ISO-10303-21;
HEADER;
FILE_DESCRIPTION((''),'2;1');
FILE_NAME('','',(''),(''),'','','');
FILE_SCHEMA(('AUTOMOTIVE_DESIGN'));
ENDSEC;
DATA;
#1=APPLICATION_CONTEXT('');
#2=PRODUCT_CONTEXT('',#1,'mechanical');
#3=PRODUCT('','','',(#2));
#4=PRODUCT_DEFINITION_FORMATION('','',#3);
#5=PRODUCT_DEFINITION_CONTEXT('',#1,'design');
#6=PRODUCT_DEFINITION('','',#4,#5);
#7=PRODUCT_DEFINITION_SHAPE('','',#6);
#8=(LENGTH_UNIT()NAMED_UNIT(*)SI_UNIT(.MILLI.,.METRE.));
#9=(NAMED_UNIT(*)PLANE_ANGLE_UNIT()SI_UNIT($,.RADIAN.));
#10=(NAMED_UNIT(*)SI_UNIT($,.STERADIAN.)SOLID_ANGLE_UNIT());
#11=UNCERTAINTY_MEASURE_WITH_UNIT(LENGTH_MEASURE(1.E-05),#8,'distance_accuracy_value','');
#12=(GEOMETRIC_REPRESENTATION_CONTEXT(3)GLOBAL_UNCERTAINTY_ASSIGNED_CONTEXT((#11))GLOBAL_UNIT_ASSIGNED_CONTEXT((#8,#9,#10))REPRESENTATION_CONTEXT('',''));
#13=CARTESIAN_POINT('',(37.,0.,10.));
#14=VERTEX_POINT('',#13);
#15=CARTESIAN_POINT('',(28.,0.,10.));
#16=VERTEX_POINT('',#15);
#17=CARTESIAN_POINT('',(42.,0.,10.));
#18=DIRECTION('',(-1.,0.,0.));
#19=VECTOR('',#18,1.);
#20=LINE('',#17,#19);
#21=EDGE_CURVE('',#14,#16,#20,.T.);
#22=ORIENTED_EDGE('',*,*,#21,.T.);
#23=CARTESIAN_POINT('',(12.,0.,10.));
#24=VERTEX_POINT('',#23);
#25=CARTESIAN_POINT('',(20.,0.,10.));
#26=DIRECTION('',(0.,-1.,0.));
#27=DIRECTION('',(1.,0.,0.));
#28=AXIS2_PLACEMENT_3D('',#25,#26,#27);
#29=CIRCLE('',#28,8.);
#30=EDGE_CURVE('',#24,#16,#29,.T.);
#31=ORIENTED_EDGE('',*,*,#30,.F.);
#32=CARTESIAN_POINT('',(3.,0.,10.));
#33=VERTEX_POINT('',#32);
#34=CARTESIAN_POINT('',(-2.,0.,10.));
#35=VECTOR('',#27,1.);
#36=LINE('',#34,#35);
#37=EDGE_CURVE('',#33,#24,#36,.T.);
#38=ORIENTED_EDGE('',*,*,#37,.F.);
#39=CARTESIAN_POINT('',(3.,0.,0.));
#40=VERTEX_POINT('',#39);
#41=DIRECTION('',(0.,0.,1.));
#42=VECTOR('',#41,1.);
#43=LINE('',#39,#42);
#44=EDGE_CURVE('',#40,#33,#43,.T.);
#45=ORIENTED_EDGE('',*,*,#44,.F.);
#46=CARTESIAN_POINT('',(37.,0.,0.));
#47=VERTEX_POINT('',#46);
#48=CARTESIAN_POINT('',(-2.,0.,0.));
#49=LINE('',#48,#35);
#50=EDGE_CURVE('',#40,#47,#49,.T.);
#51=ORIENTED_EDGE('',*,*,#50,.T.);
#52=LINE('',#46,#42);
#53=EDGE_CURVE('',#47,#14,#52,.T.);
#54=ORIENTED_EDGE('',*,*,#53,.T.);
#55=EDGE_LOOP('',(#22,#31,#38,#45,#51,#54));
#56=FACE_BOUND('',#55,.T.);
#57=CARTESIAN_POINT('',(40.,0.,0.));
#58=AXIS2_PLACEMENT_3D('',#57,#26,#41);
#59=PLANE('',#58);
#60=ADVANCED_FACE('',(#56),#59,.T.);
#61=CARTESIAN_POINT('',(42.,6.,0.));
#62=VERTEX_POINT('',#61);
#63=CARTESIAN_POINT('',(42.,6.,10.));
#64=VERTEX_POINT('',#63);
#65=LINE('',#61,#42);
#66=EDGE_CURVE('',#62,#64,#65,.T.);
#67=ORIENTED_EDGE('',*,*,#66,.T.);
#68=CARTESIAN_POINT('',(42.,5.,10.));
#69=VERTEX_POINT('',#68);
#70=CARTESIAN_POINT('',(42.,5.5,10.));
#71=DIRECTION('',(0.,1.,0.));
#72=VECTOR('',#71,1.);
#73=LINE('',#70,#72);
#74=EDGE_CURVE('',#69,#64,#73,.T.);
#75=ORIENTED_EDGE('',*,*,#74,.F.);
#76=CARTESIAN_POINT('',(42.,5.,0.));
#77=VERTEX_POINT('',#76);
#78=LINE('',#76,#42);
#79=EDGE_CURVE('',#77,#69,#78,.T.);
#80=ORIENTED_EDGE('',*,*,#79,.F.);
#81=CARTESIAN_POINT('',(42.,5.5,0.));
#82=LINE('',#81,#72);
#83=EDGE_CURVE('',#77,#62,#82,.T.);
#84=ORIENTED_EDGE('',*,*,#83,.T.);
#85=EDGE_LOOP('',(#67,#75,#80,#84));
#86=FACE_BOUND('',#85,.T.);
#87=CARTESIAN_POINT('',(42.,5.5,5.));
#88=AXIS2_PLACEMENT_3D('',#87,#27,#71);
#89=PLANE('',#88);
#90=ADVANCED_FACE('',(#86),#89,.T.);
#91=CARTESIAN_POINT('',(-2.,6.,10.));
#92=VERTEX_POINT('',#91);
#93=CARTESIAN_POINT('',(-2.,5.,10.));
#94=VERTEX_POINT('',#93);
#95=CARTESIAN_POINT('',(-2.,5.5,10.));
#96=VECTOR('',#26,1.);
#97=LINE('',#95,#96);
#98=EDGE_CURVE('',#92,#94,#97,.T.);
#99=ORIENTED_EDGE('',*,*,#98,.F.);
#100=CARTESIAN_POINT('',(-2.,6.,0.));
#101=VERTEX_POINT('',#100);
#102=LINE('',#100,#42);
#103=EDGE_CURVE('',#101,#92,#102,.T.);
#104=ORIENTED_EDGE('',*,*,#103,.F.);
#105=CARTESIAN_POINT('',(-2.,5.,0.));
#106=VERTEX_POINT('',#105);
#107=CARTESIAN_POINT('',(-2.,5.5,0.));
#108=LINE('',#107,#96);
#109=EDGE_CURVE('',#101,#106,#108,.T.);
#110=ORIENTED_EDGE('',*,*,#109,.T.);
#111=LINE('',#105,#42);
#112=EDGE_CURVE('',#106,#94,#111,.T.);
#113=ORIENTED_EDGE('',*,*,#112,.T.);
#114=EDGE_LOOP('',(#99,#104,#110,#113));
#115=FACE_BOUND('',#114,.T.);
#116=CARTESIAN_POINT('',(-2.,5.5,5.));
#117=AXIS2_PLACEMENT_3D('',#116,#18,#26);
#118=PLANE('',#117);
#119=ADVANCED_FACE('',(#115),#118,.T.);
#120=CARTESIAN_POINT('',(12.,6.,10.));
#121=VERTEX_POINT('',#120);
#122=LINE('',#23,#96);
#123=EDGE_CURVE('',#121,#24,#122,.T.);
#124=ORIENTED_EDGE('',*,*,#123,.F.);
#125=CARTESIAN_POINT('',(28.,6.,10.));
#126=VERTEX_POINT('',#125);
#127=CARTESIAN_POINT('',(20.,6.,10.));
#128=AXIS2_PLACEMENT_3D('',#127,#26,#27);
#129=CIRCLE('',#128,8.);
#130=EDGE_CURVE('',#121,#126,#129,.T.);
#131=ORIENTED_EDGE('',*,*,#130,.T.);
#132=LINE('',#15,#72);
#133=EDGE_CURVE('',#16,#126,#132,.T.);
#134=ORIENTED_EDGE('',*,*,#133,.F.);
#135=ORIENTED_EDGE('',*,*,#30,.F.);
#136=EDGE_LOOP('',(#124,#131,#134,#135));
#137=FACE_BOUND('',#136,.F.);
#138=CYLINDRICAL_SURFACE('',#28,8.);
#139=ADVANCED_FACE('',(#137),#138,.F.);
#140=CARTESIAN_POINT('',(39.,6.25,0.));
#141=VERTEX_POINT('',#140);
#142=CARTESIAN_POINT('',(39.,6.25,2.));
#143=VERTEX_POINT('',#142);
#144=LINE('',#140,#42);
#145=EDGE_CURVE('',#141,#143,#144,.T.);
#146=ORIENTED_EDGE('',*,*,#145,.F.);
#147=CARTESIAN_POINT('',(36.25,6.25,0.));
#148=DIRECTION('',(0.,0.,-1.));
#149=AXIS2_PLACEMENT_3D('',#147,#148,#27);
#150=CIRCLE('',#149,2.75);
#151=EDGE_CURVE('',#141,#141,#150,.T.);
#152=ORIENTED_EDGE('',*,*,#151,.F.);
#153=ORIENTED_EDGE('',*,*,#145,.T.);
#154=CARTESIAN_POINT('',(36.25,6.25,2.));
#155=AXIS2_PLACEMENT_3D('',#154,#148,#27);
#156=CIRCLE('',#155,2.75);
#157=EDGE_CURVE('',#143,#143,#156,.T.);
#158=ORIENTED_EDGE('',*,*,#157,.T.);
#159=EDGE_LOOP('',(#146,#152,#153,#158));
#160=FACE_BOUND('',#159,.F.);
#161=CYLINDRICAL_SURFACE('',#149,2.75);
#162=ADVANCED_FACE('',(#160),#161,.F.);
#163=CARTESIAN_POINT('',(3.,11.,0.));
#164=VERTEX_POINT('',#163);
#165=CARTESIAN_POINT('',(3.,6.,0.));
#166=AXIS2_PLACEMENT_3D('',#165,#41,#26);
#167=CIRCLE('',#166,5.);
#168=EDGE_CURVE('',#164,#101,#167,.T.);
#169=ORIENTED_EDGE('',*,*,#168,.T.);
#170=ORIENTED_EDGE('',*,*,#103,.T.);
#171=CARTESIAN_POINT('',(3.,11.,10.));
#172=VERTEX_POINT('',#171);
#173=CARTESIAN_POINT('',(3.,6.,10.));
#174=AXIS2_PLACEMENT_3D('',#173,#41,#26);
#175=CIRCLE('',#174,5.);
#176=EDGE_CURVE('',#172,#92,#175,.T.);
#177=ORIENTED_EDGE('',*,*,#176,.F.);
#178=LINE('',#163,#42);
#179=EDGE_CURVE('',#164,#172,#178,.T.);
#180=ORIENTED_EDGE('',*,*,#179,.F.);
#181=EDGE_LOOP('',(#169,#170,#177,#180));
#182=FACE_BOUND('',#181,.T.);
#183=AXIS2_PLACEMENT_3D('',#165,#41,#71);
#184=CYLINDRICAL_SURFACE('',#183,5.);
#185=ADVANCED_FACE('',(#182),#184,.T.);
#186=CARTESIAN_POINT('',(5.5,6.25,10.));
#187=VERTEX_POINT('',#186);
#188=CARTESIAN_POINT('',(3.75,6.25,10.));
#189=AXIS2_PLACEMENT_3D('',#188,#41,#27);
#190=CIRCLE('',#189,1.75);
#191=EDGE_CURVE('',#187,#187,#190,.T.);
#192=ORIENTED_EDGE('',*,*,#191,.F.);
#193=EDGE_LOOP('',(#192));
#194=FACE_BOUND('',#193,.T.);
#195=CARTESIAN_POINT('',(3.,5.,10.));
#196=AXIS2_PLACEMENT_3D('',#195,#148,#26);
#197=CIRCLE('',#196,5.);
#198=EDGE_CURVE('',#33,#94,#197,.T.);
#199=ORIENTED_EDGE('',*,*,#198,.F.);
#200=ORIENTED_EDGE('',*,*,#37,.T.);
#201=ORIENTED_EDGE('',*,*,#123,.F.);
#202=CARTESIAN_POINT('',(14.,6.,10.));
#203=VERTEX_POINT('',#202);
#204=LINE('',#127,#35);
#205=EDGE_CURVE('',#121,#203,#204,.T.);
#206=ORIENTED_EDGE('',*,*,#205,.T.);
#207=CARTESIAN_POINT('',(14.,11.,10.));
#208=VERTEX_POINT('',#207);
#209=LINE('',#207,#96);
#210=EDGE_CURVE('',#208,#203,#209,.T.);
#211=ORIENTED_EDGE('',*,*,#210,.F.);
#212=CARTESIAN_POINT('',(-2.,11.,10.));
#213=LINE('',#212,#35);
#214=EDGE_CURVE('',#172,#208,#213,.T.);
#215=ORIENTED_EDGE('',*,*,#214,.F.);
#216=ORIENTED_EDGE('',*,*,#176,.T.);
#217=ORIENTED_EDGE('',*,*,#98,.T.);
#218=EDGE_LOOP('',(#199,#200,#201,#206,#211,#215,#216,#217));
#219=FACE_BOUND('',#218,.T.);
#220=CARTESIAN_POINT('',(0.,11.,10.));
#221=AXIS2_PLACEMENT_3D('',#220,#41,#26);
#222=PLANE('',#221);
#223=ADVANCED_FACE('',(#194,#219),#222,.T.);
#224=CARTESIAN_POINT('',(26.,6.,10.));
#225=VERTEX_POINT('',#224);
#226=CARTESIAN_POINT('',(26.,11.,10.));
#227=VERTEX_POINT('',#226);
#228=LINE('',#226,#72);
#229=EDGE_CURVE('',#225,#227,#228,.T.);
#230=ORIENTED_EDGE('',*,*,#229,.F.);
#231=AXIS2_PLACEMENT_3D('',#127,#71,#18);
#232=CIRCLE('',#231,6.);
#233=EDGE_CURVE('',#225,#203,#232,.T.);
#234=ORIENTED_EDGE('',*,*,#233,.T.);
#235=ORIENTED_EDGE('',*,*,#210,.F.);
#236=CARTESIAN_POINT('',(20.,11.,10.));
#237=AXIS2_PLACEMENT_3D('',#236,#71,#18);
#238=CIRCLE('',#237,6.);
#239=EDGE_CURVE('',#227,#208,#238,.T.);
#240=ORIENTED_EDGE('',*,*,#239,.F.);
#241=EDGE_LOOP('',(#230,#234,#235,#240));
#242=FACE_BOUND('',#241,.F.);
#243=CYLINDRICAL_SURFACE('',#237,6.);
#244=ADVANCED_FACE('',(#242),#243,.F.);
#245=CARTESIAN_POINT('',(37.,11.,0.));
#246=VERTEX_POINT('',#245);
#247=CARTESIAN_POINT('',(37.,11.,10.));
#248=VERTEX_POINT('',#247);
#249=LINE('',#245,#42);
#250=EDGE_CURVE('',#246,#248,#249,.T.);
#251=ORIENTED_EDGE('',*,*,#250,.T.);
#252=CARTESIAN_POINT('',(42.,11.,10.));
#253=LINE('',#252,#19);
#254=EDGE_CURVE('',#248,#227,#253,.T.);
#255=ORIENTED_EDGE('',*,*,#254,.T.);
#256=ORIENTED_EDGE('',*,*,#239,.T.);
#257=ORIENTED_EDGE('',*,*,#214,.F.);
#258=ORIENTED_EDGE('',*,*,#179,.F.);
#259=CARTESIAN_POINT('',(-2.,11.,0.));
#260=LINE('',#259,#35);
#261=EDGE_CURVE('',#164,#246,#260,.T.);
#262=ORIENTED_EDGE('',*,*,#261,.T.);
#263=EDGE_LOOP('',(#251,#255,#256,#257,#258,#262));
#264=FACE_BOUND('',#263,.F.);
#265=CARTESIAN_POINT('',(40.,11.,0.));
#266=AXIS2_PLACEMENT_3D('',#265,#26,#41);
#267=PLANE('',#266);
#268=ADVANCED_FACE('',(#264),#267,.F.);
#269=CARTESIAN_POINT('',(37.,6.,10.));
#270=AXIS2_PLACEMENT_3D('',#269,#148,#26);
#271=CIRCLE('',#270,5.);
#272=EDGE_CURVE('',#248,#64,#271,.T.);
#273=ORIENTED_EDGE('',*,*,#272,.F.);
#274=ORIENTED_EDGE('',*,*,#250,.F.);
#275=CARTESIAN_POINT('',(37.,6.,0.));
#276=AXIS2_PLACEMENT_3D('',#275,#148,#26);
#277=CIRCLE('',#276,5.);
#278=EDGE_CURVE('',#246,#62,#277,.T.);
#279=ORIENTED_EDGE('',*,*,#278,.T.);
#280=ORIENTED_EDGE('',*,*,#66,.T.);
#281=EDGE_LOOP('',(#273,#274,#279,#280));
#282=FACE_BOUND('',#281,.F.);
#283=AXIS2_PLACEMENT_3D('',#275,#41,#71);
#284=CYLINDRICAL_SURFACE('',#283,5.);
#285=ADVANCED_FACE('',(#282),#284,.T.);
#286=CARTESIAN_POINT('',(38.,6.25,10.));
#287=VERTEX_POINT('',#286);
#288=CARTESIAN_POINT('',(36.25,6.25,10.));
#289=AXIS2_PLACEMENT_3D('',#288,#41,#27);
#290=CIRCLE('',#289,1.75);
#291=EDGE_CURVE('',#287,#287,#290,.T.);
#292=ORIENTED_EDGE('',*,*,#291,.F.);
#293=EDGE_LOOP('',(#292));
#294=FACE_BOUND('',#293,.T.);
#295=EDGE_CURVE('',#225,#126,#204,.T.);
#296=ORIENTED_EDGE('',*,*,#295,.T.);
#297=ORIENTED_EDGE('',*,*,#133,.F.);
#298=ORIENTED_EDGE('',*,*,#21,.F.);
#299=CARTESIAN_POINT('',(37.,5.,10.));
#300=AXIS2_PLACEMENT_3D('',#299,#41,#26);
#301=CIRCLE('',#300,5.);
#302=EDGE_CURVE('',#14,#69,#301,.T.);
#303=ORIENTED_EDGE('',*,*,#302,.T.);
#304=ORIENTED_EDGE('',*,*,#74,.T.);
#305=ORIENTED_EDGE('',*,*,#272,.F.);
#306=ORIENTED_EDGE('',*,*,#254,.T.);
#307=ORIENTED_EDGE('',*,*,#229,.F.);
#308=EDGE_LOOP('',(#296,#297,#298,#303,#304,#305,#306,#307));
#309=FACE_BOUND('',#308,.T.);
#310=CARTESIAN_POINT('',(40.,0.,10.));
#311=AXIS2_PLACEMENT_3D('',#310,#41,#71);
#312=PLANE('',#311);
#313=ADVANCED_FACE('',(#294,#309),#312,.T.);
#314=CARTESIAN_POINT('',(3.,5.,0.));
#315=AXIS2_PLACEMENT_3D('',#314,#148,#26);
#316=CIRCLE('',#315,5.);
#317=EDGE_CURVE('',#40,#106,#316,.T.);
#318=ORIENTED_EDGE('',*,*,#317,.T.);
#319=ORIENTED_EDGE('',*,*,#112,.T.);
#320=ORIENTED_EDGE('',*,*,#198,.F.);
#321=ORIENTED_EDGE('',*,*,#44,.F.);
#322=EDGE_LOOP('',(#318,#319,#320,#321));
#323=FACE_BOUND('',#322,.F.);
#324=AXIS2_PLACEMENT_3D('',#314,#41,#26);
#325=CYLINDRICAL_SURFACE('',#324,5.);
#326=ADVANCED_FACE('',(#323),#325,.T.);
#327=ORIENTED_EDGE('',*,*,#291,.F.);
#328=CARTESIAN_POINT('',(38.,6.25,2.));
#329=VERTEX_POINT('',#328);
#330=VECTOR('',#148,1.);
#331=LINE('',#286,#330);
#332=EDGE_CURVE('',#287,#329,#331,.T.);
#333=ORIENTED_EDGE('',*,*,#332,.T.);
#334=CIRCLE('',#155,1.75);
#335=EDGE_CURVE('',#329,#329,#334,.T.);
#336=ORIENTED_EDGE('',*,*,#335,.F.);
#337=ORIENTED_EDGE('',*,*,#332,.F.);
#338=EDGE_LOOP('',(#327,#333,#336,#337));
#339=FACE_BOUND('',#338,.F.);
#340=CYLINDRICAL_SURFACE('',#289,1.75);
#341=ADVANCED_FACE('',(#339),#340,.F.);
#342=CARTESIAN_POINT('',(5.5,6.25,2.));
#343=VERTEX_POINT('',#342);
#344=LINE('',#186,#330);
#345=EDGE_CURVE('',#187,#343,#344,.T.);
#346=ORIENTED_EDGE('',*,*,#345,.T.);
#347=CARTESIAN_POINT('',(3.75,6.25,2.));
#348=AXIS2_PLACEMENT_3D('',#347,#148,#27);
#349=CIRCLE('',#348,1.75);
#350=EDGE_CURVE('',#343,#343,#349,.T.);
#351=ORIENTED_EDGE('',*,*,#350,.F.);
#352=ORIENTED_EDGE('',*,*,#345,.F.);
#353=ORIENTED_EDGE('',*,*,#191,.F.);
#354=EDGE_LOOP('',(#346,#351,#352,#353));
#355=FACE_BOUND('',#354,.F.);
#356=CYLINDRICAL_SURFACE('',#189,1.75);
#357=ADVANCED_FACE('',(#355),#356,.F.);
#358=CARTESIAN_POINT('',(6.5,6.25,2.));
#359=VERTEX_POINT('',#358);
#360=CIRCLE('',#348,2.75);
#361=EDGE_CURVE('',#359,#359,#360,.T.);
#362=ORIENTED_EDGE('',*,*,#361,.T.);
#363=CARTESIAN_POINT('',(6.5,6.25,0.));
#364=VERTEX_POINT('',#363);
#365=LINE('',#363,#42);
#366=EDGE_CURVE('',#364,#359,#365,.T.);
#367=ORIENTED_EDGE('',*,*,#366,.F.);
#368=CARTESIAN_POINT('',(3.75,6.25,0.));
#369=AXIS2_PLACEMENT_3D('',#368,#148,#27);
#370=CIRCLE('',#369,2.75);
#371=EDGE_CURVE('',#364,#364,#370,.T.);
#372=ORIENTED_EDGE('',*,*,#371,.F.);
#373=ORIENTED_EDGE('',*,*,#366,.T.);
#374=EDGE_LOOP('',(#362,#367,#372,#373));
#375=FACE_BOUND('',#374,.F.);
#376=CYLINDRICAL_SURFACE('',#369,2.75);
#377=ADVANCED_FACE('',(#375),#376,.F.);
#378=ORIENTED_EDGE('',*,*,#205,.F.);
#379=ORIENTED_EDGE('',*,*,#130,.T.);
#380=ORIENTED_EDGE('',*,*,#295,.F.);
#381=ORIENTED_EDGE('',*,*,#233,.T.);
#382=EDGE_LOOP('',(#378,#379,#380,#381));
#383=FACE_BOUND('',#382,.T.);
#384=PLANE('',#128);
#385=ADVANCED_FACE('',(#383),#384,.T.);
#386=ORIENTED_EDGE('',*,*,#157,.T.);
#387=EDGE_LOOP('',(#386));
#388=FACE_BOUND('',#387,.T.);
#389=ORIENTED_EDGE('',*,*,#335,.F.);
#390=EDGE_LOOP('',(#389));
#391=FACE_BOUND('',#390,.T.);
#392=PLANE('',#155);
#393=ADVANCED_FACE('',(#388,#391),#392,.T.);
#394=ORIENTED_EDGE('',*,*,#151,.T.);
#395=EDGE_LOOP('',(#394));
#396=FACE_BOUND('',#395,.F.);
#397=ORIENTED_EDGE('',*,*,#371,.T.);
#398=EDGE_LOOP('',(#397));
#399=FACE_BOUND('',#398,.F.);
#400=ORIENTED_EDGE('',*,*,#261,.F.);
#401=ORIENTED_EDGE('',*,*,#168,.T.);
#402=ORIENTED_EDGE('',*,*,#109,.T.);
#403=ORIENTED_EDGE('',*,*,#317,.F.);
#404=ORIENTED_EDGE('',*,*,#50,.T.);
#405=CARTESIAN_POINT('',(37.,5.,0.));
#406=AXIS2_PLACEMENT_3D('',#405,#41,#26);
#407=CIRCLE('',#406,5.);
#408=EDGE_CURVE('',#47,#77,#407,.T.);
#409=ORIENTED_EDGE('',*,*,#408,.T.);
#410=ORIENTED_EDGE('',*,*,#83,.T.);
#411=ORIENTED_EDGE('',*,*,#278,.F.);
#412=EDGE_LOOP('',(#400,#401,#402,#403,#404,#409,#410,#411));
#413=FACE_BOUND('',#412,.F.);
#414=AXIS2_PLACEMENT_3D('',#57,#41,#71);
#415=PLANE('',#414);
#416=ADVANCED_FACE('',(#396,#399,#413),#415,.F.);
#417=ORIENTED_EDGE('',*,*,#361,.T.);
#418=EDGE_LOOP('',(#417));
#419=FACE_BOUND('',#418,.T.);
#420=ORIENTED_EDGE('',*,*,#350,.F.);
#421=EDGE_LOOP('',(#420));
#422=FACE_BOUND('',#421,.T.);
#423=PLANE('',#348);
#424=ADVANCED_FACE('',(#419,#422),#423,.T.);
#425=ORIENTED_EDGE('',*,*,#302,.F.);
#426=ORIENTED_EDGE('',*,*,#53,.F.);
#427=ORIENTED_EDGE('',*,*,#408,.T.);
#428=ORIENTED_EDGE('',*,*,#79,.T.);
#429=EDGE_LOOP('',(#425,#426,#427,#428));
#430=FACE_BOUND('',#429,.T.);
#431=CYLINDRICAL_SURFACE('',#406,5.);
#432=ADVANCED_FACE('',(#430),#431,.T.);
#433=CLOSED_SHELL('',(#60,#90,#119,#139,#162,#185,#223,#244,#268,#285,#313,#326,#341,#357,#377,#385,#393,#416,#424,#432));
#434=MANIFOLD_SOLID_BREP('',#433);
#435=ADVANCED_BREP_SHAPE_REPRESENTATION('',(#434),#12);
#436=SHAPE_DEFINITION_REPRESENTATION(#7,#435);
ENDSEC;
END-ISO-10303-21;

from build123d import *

# Parameters (mm, degrees)
F0_W      = 40
F0_H      = 11
F1_DEPTH  = 10
F2_R      = 8
F3_DEPTH  = 6
F4_R      = 6
F5_DEPTH  = 6
F6_W      = 11
F6_H      = 10
F7_DEPTH  = 2
F8_W      = 11
F8_H      = 10
F9_DEPTH  = 2
F10_R     = 5
F11_R     = 1.75
F12_DEPTH = 25
F13_R     = 2.75
F13_R_2   = 1.75
F14_DEPTH = 2


with BuildPart() as f1:
    # F0 (on Top) → F1 (new body)
    with BuildSketch(Plane.XY):
        with Locations((20, 5.5)):
            Rectangle(F0_W, F0_H)
    extrude(amount=F1_DEPTH)

    # F2 (on face) → F3 (cut)
    with BuildSketch(Plane.XZ):
        with Locations((20, 10)):
            Circle(F2_R)
    extrude(amount=-F3_DEPTH, mode=Mode.SUBTRACT)

    # F4 (on face) → F5 (cut)
    with BuildSketch(Plane(origin=(0, 11, 0), x_dir=(-1, 0, 0), z_dir=(0, 1, 0))):
        with Locations((-20, 10)):
            Circle(F4_R)
    extrude(amount=-F5_DEPTH, mode=Mode.SUBTRACT)

    # F6 (on face) → F7 (join)
    with BuildSketch(Plane(origin=(0, 0, 0), x_dir=(0, -1, 0), z_dir=(-1, 0, 0))):
        with Locations((-5.5, 5)):
            Rectangle(F6_W, F6_H)
    extrude(amount=F7_DEPTH)

    # F8 (on face) → F9 (join)
    with BuildSketch(Plane.YZ.offset(40)):
        with Locations((5.5, 5)):
            Rectangle(F8_W, F8_H)
    extrude(amount=F9_DEPTH)

    # F10
    f10_edges = [f1.edges().sort_by_distance(p)[0] for p in [
        (42, 11, 5),
        (42, 0, 5),
        (-2, 11, 5),
        (-2, 0, 5),
    ]]
    fillet(f10_edges, radius=F10_R)

    # F11 (on face) → F12 (cut)
    with BuildSketch(Plane.XY.offset(10)):
        with Locations((3.75, 6.25)):
            Circle(F11_R)
        with Locations((36.25, 6.25)):
            Circle(F11_R)
    extrude(amount=-F12_DEPTH, mode=Mode.SUBTRACT)

    # F13 (on face) → F14 (cut)
    with BuildSketch(Plane(origin=(0, 0, 0), x_dir=(1, 0, 0), z_dir=(0, 0, -1))):
        with Locations((3.75, -6.25)):
            Circle(F13_R)
        with Locations((3.75, -6.25)):
            Circle(F13_R_2, mode=Mode.SUBTRACT)
        with Locations((36.25, -6.25)):
            Circle(F13_R)
        with Locations((36.25, -6.25)):
            Circle(F13_R_2, mode=Mode.SUBTRACT)
    extrude(amount=-F14_DEPTH, mode=Mode.SUBTRACT)


solid = f1.part
